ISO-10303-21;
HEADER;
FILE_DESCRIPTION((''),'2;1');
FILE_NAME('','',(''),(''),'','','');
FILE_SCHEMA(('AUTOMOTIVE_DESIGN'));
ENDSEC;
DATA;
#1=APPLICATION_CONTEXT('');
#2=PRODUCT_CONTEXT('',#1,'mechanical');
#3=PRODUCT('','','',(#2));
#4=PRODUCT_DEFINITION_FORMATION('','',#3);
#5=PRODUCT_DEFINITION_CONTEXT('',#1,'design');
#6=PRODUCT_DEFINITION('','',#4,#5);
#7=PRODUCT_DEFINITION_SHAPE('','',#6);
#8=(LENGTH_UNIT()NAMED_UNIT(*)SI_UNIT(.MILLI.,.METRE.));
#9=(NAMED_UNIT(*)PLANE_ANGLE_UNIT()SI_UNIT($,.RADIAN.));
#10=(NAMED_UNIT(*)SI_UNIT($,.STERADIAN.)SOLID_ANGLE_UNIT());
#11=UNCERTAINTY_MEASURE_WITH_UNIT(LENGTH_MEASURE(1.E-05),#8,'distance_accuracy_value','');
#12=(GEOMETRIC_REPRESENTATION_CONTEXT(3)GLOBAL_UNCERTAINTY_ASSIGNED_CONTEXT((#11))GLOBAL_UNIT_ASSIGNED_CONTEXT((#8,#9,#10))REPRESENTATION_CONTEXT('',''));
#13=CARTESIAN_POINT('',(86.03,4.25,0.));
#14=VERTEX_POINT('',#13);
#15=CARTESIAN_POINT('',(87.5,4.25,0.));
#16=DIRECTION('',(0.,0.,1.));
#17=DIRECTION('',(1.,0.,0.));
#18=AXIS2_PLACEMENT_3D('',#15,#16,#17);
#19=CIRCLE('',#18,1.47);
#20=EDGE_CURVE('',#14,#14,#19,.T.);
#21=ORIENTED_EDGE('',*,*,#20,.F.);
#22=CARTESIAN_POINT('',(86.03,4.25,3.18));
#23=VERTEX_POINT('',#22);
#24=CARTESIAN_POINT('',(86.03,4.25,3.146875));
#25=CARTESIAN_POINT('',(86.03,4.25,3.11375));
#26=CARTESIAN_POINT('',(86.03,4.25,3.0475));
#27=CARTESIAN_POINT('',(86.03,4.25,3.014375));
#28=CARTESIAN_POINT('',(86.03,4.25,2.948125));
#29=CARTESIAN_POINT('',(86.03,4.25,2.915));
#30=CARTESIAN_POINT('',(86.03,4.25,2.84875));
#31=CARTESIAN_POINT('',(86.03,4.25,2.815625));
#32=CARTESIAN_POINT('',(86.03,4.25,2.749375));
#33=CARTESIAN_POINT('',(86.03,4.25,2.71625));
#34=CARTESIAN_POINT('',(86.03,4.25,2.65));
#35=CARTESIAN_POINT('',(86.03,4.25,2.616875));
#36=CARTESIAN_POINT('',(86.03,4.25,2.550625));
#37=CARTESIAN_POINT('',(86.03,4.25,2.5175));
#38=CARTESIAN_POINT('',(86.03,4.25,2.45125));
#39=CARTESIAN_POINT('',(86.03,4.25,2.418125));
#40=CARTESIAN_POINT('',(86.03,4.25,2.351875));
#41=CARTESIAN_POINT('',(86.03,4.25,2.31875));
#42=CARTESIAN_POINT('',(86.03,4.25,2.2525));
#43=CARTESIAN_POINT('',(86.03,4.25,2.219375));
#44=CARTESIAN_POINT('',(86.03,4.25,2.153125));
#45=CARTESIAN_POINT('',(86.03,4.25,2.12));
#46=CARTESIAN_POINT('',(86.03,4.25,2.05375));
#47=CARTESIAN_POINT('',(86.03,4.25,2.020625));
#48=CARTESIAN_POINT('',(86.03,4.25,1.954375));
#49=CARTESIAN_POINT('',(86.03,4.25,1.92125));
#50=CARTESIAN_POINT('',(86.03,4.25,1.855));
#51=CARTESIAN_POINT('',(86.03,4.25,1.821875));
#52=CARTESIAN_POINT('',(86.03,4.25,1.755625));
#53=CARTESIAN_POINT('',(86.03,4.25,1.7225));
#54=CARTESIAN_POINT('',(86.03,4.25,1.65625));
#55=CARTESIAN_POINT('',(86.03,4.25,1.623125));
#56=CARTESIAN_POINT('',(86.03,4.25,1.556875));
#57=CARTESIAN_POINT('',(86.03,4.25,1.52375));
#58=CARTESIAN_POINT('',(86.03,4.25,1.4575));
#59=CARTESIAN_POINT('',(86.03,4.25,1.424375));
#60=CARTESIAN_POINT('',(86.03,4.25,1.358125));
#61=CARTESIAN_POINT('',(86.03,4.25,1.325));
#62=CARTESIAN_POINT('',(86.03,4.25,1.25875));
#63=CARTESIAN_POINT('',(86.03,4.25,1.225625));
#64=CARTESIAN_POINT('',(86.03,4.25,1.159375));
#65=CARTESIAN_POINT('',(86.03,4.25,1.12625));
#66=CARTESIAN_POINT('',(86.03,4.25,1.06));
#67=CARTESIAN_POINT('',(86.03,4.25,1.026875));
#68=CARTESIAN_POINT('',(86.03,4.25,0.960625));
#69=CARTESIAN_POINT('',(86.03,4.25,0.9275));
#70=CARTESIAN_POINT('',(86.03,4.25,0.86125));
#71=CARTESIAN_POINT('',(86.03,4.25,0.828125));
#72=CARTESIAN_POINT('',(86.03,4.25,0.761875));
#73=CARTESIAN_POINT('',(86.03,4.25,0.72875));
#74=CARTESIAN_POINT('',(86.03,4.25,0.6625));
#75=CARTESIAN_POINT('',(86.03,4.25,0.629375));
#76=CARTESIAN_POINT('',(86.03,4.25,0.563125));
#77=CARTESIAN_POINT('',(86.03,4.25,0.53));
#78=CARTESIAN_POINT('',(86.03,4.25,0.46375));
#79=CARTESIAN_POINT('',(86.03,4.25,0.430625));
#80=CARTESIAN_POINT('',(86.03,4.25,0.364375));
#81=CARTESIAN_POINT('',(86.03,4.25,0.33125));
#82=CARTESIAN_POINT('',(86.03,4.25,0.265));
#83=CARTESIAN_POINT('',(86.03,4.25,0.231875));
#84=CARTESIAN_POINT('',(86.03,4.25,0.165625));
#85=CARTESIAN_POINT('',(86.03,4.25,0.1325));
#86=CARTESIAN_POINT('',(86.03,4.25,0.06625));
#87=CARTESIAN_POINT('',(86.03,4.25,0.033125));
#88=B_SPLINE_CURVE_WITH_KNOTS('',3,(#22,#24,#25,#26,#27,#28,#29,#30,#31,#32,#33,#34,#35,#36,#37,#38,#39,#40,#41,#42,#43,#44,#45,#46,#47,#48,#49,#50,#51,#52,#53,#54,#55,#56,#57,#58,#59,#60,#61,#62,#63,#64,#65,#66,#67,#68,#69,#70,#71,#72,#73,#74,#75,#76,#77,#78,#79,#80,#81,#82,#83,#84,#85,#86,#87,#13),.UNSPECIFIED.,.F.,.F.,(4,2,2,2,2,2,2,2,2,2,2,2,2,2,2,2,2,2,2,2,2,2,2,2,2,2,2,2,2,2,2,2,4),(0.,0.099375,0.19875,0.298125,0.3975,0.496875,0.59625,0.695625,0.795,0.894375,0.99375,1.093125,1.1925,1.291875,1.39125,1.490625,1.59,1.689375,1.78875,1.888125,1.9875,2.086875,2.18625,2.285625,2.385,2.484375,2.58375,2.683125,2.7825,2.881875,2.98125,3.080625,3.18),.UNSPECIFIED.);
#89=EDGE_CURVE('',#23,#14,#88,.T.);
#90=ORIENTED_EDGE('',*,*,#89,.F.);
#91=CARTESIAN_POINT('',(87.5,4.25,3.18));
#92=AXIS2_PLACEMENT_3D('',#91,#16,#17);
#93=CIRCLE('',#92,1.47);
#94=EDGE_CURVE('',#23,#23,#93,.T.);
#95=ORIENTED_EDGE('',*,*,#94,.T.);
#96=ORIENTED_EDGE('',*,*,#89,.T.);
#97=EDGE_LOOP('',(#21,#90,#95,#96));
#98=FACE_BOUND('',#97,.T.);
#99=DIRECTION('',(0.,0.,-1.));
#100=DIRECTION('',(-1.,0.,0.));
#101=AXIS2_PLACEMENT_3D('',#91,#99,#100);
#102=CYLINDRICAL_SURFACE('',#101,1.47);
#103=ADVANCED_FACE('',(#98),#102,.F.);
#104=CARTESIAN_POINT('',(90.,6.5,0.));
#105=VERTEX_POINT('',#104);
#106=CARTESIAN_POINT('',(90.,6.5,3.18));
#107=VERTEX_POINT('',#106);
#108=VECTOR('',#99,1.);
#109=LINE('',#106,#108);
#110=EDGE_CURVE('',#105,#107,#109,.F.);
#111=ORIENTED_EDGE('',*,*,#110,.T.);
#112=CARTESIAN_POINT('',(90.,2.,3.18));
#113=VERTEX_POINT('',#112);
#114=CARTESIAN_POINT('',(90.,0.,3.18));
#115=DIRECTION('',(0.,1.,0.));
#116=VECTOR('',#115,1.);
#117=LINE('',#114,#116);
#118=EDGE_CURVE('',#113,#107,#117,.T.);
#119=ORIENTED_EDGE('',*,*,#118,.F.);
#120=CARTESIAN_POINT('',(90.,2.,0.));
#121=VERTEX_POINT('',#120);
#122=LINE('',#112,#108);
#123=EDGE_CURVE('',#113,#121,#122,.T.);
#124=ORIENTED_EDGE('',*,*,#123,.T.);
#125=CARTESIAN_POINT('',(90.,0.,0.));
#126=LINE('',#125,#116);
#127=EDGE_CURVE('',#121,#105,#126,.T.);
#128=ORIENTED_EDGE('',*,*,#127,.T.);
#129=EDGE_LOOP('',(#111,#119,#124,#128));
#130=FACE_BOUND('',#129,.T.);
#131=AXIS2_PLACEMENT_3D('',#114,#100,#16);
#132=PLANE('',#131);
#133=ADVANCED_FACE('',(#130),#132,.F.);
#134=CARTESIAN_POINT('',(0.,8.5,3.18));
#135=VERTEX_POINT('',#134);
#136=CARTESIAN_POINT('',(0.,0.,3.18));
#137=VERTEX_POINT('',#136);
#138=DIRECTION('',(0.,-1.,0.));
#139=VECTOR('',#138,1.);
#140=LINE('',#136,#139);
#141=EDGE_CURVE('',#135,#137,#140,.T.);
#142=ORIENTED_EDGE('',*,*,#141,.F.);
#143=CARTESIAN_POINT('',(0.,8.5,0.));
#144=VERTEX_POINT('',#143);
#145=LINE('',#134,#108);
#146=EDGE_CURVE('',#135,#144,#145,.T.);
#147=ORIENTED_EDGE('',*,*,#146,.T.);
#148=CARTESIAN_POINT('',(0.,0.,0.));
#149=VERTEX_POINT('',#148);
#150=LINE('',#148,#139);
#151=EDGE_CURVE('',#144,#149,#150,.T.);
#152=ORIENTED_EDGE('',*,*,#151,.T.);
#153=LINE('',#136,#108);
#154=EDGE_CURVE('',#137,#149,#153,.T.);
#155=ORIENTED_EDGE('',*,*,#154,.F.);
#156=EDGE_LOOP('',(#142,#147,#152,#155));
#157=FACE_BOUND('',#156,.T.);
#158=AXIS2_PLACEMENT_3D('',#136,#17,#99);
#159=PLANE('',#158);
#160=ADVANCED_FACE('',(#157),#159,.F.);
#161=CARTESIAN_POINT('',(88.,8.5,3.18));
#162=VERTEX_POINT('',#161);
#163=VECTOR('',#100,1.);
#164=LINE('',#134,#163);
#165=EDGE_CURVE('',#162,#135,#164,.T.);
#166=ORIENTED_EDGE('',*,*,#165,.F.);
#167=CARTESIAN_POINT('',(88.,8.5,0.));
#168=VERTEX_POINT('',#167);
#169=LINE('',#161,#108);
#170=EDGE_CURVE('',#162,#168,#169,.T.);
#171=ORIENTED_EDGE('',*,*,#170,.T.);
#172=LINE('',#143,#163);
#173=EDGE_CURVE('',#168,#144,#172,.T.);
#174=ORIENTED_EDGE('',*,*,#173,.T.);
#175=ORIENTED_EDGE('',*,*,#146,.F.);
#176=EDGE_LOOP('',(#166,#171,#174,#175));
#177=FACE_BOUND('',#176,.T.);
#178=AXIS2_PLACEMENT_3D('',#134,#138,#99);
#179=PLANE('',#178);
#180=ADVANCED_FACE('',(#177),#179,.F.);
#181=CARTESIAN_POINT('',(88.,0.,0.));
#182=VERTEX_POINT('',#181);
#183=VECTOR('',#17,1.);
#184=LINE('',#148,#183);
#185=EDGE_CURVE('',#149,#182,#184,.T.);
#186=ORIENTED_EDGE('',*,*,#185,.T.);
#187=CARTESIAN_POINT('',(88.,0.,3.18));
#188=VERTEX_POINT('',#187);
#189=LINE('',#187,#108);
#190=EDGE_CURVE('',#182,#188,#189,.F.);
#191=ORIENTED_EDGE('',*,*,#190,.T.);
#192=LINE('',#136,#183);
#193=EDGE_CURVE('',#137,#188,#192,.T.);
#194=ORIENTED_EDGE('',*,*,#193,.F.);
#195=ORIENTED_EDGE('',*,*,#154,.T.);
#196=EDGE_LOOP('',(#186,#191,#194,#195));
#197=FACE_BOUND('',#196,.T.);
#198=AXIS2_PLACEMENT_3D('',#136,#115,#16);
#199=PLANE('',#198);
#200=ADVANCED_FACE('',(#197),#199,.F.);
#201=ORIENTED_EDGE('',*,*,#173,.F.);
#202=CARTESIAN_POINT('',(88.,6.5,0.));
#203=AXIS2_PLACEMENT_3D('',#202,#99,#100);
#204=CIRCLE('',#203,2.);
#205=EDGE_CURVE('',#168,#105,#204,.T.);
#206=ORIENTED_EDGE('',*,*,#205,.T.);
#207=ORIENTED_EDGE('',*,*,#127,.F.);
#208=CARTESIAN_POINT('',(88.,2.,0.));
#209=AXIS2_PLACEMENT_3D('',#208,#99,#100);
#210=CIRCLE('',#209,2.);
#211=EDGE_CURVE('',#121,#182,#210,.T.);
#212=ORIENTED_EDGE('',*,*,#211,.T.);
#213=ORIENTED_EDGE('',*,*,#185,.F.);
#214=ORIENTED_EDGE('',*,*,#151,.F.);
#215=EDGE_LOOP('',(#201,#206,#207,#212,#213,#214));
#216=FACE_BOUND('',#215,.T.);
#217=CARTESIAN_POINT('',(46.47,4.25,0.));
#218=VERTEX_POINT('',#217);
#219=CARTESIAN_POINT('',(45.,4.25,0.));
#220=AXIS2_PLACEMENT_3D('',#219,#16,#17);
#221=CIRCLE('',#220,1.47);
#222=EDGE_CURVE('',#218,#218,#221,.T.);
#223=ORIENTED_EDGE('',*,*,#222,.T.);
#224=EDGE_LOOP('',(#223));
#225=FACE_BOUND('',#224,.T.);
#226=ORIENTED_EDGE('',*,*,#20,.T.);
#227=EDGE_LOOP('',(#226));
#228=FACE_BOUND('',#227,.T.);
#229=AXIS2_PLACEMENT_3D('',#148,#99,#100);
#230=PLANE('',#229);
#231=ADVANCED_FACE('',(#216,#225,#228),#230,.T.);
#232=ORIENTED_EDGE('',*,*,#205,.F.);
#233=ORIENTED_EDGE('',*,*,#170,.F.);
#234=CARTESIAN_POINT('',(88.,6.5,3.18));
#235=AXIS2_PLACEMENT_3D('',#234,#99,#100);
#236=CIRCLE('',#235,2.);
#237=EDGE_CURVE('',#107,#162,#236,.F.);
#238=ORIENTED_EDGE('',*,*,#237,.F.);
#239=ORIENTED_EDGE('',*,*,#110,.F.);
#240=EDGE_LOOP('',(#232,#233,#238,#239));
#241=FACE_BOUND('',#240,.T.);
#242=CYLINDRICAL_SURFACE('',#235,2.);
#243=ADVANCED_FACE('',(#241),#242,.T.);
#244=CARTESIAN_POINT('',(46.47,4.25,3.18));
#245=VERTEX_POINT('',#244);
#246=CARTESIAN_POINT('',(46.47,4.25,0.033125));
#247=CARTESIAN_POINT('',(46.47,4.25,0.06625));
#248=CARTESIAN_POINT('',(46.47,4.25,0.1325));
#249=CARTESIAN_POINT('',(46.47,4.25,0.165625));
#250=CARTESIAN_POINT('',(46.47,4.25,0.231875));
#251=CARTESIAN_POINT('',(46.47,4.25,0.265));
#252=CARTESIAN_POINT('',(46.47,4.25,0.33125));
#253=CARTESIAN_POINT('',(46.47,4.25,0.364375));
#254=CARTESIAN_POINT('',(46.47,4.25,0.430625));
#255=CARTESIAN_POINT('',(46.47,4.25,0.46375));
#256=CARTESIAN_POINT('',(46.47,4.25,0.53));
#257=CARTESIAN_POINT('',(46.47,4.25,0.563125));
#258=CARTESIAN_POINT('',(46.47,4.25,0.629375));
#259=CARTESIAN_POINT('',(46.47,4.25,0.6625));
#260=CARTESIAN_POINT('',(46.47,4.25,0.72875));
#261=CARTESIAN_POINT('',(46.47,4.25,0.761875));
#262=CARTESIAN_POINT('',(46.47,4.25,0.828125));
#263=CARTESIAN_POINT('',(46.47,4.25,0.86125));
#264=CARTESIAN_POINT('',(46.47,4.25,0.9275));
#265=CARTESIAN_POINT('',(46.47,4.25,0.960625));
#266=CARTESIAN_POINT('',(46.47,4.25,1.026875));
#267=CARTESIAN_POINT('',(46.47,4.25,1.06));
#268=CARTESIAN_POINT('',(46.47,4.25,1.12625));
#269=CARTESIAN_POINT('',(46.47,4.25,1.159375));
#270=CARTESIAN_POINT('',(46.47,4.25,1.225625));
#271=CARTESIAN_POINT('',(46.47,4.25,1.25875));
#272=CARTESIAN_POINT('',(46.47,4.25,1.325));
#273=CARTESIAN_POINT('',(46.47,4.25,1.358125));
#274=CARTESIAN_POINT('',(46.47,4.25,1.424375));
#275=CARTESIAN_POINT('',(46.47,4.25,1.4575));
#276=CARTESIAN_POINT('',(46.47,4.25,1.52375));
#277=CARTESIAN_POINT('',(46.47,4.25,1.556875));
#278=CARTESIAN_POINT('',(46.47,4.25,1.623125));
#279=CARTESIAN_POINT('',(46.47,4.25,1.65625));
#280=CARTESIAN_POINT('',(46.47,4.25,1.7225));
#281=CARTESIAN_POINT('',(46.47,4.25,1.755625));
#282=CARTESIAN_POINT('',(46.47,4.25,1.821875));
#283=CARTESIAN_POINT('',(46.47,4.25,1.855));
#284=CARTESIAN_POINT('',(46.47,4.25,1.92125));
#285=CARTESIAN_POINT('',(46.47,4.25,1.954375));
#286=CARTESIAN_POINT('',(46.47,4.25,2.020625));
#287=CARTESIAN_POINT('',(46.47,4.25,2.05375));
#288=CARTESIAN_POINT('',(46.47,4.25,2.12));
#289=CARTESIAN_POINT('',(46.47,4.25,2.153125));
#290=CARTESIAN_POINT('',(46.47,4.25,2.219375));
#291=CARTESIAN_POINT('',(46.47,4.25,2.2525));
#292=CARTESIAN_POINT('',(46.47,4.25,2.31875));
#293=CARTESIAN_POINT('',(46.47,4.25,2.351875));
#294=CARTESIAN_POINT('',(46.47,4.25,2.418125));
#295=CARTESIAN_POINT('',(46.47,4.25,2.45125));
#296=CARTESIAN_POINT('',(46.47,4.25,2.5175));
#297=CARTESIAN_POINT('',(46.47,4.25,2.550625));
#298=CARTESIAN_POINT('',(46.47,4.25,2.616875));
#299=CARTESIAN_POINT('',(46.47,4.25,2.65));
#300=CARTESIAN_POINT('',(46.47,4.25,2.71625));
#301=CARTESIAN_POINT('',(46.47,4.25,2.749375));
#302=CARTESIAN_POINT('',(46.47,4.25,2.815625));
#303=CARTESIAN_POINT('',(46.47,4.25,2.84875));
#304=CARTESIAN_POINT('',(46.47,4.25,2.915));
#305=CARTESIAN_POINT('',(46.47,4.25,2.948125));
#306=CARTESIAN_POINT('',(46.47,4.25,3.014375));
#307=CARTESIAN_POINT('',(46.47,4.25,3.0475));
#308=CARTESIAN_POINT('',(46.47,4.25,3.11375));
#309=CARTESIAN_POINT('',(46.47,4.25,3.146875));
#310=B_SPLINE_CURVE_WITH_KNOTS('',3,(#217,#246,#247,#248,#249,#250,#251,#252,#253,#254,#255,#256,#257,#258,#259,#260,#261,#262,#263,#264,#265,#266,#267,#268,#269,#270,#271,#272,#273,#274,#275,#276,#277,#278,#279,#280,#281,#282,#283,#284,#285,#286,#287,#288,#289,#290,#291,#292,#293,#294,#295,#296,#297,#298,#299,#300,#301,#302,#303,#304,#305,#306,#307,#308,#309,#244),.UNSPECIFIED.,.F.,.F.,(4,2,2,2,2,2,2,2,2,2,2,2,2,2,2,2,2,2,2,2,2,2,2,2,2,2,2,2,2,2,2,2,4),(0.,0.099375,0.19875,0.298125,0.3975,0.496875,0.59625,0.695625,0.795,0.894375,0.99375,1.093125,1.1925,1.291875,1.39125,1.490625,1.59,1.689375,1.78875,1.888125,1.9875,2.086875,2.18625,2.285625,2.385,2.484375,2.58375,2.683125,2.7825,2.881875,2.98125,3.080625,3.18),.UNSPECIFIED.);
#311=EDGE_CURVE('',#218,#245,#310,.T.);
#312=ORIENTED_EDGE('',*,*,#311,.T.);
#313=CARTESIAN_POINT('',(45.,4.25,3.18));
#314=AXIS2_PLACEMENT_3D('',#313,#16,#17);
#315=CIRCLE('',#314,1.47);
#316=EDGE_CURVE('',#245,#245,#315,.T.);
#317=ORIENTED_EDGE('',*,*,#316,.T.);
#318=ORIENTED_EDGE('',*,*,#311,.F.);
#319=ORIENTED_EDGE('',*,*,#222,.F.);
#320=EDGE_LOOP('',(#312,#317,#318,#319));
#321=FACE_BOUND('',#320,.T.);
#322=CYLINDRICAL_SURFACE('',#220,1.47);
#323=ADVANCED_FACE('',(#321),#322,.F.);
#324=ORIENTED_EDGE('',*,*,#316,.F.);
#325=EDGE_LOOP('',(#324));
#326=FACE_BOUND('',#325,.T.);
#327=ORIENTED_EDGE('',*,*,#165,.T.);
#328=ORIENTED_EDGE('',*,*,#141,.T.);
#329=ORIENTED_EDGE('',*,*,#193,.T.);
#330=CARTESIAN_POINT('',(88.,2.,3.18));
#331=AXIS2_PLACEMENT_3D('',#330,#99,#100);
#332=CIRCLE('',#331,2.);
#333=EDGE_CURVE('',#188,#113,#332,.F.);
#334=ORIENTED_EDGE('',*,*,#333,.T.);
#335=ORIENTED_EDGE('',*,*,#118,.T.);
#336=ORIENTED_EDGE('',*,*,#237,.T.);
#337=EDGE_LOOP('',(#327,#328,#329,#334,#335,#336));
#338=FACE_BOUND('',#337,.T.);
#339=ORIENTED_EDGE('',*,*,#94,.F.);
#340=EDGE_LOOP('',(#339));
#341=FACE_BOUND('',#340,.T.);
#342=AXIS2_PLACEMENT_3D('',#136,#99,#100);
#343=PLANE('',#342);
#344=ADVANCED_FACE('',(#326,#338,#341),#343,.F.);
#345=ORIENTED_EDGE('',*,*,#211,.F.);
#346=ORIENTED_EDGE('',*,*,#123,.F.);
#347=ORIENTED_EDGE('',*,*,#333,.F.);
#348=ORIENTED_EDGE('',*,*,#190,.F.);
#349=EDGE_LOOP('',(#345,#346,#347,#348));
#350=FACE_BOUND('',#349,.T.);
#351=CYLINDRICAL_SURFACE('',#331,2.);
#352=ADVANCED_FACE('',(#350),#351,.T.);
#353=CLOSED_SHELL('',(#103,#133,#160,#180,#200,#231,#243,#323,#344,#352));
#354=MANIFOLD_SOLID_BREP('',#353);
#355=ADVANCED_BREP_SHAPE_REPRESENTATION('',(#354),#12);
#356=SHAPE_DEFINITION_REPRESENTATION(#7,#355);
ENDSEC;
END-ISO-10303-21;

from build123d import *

# Parameters (mm, degrees)
SKETCH1_W           = 90
SKETCH1_H           = 8.5
SKETCH1_R           = 1.47
BOSS_EXTRUDE1_DEPTH = 3.18
SKETCH2_R           = 1.47
CUT_EXTRUDE1_DEPTH  = 91.456411602
FILLET1_R           = 2


with BuildPart() as part:
    # Sketch1 → Boss-Extrude1 (new body)
    with BuildSketch(Plane.XY):
        with Locations((45, 4.25)):
            Rectangle(SKETCH1_W, SKETCH1_H)
        with Locations(Location((87.5, 4.25, 0), (0, 0, 180))):
            Circle(SKETCH1_R, mode=Mode.SUBTRACT)
    extrude(amount=BOSS_EXTRUDE1_DEPTH)

    # Sketch2 → Cut-Extrude1 (cut, through all)
    with BuildSketch(Plane.XY.offset(3.18)):
        with Locations((45, 4.25)):
            Circle(SKETCH2_R)
    extrude(amount=-CUT_EXTRUDE1_DEPTH, mode=Mode.SUBTRACT)

    # Fillet1
    fillet1_edges = [part.edges().sort_by_distance(p)[0] for p in [
        (90, 8.5, 1.59),
        (90, 0, 1.59),
    ]]
    fillet(fillet1_edges, radius=FILLET1_R)


solid = part.part
